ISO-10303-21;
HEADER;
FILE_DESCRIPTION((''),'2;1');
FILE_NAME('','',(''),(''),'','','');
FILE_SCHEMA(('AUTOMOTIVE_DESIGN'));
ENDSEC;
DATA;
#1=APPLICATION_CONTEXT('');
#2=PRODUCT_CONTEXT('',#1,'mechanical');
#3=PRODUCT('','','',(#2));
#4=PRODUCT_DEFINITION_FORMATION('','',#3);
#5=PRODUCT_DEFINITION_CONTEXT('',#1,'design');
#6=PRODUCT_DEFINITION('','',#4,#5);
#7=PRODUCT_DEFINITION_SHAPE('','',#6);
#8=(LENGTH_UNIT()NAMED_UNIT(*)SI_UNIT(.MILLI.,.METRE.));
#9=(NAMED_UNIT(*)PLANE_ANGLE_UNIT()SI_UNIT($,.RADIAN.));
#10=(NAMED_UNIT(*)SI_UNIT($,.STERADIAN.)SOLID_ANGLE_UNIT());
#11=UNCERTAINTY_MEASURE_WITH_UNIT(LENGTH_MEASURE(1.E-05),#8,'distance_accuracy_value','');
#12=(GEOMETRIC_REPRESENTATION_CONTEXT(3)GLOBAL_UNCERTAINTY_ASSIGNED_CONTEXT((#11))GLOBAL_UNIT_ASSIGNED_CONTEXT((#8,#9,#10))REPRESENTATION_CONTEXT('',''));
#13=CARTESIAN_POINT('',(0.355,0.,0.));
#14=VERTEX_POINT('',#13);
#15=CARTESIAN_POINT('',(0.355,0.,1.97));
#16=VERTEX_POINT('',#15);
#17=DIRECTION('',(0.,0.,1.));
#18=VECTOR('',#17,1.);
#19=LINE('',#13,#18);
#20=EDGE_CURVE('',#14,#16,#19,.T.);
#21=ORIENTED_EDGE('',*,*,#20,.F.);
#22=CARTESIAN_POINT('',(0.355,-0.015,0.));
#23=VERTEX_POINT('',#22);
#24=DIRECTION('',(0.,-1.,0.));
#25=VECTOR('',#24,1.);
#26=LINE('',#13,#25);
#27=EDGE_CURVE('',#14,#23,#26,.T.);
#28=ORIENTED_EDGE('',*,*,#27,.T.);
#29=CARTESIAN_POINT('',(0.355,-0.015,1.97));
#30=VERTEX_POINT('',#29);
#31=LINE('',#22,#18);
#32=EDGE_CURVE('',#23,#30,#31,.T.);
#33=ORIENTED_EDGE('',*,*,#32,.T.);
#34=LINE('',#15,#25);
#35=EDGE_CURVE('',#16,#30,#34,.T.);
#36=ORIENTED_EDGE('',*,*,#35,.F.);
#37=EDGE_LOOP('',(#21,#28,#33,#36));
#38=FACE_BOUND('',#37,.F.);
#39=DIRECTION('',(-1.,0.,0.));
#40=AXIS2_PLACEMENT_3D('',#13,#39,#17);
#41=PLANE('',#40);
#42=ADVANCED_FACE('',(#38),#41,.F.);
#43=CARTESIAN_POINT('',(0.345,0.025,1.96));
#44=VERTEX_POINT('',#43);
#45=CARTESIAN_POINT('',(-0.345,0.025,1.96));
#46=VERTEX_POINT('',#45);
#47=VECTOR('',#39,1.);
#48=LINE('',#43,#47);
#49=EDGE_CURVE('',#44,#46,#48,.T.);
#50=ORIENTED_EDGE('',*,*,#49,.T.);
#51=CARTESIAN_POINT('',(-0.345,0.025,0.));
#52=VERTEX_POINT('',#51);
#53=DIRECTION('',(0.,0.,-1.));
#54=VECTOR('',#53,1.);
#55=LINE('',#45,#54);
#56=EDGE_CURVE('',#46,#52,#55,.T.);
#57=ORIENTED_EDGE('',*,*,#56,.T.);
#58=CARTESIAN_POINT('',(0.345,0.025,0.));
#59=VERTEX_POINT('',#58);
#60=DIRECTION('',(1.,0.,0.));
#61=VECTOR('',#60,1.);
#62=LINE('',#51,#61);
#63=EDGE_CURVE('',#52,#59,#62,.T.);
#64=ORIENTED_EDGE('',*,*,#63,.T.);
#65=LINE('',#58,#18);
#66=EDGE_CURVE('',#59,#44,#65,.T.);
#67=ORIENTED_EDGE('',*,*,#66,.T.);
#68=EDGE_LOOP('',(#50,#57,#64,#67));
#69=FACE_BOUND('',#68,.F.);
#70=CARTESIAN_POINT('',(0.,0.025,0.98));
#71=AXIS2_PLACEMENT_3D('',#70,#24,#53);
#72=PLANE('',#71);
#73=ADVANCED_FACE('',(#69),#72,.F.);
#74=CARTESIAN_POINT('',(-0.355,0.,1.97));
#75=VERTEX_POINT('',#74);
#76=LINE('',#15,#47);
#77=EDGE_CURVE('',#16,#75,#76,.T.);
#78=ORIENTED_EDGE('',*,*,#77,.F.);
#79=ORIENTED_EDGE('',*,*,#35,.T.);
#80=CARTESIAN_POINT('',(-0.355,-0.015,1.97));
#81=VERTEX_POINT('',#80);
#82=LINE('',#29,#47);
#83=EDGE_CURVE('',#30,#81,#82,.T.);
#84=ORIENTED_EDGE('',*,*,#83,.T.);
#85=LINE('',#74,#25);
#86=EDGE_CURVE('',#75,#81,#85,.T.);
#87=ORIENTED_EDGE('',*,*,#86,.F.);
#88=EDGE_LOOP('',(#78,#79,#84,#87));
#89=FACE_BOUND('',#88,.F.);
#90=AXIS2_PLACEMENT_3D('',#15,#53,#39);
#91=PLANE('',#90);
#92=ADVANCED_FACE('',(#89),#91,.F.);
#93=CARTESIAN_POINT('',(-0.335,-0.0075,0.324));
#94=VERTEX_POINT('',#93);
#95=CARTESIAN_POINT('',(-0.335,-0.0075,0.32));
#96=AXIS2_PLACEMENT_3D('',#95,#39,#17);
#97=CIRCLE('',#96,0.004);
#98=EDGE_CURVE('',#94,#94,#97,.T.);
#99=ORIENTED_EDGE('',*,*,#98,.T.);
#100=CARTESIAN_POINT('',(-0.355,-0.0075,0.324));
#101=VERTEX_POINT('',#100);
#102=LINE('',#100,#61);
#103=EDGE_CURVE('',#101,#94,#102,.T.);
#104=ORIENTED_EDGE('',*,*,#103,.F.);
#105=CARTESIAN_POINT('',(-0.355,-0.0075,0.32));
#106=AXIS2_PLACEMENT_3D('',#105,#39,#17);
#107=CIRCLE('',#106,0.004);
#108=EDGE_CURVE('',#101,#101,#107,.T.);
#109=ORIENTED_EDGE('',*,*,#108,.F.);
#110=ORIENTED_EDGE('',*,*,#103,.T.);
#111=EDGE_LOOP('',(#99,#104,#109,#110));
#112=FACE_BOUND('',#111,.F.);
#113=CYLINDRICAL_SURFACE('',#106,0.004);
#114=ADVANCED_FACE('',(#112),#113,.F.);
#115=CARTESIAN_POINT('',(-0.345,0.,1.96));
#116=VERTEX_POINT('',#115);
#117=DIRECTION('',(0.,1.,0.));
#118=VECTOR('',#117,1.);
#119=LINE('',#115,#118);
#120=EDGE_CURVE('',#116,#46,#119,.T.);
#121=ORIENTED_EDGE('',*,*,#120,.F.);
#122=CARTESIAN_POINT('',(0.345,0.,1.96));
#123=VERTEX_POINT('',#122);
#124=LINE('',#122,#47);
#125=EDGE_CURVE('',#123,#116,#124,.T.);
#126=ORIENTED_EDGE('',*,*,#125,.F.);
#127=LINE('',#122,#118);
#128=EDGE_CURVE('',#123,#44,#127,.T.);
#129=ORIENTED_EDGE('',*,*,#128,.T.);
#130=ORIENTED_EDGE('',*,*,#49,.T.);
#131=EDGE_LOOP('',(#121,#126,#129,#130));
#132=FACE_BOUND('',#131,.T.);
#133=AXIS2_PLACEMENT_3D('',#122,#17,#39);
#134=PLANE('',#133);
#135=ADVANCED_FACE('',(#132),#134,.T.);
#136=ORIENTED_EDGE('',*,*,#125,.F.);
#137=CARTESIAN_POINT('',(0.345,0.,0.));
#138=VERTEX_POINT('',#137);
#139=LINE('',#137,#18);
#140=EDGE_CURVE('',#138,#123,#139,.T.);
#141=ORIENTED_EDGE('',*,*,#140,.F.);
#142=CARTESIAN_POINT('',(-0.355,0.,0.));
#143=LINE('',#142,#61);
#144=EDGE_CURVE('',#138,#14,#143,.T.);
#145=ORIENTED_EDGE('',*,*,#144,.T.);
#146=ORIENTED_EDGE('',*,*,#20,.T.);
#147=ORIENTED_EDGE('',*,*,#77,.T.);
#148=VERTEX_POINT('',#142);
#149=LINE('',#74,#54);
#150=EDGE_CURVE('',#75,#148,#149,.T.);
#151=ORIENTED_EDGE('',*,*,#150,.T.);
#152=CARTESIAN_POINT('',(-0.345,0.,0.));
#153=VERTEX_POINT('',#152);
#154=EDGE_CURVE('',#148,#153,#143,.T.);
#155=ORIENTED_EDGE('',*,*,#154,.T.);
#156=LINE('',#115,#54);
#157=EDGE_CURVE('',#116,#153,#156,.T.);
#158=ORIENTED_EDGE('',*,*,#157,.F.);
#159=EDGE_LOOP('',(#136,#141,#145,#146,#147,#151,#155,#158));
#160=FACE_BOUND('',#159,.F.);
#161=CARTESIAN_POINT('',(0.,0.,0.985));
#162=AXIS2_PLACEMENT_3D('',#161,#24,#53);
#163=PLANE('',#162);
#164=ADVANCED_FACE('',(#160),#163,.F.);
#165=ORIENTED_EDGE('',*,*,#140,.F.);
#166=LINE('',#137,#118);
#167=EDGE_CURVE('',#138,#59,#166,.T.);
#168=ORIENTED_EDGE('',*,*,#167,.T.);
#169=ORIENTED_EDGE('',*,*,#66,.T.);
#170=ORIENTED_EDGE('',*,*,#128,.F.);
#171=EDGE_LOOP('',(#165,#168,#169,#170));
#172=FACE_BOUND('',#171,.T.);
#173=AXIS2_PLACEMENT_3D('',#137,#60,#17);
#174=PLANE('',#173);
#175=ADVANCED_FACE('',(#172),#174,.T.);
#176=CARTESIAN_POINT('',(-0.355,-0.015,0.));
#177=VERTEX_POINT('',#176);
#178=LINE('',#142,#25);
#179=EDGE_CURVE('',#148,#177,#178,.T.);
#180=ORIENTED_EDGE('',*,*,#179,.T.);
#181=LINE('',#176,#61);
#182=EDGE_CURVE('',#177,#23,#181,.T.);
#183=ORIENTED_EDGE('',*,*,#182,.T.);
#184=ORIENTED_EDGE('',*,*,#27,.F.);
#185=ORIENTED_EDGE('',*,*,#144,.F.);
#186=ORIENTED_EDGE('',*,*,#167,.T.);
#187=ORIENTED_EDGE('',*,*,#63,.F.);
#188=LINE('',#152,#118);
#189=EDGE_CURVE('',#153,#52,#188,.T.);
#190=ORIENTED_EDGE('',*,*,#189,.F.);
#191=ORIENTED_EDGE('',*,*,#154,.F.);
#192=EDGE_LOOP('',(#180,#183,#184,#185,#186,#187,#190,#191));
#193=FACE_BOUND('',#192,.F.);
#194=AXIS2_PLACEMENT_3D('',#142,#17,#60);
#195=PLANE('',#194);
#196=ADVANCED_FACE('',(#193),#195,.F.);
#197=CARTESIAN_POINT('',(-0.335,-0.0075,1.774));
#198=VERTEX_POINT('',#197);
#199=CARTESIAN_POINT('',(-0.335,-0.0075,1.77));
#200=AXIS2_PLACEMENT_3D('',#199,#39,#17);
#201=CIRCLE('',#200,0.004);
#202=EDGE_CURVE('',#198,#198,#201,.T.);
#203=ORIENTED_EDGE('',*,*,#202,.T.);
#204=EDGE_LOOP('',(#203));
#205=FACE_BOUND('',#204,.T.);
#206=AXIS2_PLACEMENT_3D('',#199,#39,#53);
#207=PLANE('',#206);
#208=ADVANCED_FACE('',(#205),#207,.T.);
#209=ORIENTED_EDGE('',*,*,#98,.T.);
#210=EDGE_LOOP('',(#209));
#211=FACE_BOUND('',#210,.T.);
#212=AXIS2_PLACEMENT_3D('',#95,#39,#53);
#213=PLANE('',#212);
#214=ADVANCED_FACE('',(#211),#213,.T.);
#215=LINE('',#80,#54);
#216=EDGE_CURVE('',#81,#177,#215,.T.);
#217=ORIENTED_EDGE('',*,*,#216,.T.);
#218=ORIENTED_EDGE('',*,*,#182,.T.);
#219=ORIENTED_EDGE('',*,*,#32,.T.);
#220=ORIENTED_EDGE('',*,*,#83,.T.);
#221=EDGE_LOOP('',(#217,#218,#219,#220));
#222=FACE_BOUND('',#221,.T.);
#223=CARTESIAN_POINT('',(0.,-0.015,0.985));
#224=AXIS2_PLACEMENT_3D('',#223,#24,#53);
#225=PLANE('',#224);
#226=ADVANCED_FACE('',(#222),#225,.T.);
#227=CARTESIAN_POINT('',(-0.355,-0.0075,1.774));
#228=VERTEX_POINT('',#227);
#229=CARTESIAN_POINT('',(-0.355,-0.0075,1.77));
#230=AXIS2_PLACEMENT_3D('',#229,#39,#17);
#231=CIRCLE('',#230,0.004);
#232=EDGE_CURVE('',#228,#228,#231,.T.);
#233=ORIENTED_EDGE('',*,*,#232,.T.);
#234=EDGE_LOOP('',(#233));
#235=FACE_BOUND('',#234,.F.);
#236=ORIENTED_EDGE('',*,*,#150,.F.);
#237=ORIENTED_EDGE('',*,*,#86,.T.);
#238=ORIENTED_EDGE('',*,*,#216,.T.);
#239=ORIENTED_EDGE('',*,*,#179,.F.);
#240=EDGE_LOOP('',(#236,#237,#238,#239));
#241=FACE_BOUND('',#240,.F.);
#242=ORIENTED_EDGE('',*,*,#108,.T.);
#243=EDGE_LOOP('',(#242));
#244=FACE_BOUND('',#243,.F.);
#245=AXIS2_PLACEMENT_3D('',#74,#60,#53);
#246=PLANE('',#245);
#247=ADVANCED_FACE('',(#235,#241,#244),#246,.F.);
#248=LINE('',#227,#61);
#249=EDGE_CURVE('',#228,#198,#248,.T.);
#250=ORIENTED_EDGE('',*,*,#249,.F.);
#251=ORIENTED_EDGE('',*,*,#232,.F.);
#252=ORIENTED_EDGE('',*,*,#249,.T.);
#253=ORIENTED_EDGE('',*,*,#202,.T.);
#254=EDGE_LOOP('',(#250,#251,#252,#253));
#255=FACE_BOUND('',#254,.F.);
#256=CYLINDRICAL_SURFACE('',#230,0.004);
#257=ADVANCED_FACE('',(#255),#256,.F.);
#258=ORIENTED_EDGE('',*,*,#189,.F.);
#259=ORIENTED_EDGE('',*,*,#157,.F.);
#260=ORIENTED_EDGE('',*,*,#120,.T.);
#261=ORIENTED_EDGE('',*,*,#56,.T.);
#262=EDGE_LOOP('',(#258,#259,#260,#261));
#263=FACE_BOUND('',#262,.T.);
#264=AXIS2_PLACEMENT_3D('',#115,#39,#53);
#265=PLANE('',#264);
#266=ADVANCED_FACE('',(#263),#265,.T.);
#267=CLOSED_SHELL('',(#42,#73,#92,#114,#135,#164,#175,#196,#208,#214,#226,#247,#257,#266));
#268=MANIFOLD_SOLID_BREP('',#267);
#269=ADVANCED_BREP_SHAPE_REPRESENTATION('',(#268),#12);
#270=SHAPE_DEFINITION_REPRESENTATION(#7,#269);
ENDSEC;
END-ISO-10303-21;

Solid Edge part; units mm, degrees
sketch "Sketch1" plane through (0, 0, 0) normal (0, -1, 0) x (1, 0, 0)
  line L0 (-0.345, 0) -> (0.345, 0)
  line L1 (0.345, 0) -> (0.345, 1.96)
  line L2 (0.345, 1.96) -> (-0.345, 1.96)
  line L3 (-0.345, 1.96) -> (-0.345, 0)
  dimension "D1" = 1.96
  dimension "D2" = 0.69
extrude "Protrusion1" add sketch "Sketch1" against normal blind 0.025
sketch "Sketch2" plane through (0, 0, 0.98) normal (0, -1, 0) x (1, 0, 0)
  line L0 (-0.355, -0.98) -> (0.355, -0.98)
  line L1 (0.355, -0.98) -> (0.355, 0.99)
  line L2 (0.355, 0.99) -> (-0.355, 0.99)
  line L3 (-0.355, 0.99) -> (-0.355, -0.98)
extrude "Ausprägung_2" add sketch "Sketch2" along normal blind 0.015
sketch "Sketch3" plane through (-0.355, -0.0075, 0.985) normal (-1, 0, 0) x (0, 0, 1)
  circle A0 centre (0.785, 0) radius 0.004
  circle A1 centre (-0.665, 0) radius 0.004
  dimension "D1" = 0.008
  dimension "D2" = 0.32
  dimension "D3" = 0.0075
  dimension "D4" = 1.45
extrude "Ausschnitt_1" cut sketch "Sketch3" against normal blind 0.02
extrude "Cutout1" [suppressed]
extrude "Ausprägung_3" [suppressed]
